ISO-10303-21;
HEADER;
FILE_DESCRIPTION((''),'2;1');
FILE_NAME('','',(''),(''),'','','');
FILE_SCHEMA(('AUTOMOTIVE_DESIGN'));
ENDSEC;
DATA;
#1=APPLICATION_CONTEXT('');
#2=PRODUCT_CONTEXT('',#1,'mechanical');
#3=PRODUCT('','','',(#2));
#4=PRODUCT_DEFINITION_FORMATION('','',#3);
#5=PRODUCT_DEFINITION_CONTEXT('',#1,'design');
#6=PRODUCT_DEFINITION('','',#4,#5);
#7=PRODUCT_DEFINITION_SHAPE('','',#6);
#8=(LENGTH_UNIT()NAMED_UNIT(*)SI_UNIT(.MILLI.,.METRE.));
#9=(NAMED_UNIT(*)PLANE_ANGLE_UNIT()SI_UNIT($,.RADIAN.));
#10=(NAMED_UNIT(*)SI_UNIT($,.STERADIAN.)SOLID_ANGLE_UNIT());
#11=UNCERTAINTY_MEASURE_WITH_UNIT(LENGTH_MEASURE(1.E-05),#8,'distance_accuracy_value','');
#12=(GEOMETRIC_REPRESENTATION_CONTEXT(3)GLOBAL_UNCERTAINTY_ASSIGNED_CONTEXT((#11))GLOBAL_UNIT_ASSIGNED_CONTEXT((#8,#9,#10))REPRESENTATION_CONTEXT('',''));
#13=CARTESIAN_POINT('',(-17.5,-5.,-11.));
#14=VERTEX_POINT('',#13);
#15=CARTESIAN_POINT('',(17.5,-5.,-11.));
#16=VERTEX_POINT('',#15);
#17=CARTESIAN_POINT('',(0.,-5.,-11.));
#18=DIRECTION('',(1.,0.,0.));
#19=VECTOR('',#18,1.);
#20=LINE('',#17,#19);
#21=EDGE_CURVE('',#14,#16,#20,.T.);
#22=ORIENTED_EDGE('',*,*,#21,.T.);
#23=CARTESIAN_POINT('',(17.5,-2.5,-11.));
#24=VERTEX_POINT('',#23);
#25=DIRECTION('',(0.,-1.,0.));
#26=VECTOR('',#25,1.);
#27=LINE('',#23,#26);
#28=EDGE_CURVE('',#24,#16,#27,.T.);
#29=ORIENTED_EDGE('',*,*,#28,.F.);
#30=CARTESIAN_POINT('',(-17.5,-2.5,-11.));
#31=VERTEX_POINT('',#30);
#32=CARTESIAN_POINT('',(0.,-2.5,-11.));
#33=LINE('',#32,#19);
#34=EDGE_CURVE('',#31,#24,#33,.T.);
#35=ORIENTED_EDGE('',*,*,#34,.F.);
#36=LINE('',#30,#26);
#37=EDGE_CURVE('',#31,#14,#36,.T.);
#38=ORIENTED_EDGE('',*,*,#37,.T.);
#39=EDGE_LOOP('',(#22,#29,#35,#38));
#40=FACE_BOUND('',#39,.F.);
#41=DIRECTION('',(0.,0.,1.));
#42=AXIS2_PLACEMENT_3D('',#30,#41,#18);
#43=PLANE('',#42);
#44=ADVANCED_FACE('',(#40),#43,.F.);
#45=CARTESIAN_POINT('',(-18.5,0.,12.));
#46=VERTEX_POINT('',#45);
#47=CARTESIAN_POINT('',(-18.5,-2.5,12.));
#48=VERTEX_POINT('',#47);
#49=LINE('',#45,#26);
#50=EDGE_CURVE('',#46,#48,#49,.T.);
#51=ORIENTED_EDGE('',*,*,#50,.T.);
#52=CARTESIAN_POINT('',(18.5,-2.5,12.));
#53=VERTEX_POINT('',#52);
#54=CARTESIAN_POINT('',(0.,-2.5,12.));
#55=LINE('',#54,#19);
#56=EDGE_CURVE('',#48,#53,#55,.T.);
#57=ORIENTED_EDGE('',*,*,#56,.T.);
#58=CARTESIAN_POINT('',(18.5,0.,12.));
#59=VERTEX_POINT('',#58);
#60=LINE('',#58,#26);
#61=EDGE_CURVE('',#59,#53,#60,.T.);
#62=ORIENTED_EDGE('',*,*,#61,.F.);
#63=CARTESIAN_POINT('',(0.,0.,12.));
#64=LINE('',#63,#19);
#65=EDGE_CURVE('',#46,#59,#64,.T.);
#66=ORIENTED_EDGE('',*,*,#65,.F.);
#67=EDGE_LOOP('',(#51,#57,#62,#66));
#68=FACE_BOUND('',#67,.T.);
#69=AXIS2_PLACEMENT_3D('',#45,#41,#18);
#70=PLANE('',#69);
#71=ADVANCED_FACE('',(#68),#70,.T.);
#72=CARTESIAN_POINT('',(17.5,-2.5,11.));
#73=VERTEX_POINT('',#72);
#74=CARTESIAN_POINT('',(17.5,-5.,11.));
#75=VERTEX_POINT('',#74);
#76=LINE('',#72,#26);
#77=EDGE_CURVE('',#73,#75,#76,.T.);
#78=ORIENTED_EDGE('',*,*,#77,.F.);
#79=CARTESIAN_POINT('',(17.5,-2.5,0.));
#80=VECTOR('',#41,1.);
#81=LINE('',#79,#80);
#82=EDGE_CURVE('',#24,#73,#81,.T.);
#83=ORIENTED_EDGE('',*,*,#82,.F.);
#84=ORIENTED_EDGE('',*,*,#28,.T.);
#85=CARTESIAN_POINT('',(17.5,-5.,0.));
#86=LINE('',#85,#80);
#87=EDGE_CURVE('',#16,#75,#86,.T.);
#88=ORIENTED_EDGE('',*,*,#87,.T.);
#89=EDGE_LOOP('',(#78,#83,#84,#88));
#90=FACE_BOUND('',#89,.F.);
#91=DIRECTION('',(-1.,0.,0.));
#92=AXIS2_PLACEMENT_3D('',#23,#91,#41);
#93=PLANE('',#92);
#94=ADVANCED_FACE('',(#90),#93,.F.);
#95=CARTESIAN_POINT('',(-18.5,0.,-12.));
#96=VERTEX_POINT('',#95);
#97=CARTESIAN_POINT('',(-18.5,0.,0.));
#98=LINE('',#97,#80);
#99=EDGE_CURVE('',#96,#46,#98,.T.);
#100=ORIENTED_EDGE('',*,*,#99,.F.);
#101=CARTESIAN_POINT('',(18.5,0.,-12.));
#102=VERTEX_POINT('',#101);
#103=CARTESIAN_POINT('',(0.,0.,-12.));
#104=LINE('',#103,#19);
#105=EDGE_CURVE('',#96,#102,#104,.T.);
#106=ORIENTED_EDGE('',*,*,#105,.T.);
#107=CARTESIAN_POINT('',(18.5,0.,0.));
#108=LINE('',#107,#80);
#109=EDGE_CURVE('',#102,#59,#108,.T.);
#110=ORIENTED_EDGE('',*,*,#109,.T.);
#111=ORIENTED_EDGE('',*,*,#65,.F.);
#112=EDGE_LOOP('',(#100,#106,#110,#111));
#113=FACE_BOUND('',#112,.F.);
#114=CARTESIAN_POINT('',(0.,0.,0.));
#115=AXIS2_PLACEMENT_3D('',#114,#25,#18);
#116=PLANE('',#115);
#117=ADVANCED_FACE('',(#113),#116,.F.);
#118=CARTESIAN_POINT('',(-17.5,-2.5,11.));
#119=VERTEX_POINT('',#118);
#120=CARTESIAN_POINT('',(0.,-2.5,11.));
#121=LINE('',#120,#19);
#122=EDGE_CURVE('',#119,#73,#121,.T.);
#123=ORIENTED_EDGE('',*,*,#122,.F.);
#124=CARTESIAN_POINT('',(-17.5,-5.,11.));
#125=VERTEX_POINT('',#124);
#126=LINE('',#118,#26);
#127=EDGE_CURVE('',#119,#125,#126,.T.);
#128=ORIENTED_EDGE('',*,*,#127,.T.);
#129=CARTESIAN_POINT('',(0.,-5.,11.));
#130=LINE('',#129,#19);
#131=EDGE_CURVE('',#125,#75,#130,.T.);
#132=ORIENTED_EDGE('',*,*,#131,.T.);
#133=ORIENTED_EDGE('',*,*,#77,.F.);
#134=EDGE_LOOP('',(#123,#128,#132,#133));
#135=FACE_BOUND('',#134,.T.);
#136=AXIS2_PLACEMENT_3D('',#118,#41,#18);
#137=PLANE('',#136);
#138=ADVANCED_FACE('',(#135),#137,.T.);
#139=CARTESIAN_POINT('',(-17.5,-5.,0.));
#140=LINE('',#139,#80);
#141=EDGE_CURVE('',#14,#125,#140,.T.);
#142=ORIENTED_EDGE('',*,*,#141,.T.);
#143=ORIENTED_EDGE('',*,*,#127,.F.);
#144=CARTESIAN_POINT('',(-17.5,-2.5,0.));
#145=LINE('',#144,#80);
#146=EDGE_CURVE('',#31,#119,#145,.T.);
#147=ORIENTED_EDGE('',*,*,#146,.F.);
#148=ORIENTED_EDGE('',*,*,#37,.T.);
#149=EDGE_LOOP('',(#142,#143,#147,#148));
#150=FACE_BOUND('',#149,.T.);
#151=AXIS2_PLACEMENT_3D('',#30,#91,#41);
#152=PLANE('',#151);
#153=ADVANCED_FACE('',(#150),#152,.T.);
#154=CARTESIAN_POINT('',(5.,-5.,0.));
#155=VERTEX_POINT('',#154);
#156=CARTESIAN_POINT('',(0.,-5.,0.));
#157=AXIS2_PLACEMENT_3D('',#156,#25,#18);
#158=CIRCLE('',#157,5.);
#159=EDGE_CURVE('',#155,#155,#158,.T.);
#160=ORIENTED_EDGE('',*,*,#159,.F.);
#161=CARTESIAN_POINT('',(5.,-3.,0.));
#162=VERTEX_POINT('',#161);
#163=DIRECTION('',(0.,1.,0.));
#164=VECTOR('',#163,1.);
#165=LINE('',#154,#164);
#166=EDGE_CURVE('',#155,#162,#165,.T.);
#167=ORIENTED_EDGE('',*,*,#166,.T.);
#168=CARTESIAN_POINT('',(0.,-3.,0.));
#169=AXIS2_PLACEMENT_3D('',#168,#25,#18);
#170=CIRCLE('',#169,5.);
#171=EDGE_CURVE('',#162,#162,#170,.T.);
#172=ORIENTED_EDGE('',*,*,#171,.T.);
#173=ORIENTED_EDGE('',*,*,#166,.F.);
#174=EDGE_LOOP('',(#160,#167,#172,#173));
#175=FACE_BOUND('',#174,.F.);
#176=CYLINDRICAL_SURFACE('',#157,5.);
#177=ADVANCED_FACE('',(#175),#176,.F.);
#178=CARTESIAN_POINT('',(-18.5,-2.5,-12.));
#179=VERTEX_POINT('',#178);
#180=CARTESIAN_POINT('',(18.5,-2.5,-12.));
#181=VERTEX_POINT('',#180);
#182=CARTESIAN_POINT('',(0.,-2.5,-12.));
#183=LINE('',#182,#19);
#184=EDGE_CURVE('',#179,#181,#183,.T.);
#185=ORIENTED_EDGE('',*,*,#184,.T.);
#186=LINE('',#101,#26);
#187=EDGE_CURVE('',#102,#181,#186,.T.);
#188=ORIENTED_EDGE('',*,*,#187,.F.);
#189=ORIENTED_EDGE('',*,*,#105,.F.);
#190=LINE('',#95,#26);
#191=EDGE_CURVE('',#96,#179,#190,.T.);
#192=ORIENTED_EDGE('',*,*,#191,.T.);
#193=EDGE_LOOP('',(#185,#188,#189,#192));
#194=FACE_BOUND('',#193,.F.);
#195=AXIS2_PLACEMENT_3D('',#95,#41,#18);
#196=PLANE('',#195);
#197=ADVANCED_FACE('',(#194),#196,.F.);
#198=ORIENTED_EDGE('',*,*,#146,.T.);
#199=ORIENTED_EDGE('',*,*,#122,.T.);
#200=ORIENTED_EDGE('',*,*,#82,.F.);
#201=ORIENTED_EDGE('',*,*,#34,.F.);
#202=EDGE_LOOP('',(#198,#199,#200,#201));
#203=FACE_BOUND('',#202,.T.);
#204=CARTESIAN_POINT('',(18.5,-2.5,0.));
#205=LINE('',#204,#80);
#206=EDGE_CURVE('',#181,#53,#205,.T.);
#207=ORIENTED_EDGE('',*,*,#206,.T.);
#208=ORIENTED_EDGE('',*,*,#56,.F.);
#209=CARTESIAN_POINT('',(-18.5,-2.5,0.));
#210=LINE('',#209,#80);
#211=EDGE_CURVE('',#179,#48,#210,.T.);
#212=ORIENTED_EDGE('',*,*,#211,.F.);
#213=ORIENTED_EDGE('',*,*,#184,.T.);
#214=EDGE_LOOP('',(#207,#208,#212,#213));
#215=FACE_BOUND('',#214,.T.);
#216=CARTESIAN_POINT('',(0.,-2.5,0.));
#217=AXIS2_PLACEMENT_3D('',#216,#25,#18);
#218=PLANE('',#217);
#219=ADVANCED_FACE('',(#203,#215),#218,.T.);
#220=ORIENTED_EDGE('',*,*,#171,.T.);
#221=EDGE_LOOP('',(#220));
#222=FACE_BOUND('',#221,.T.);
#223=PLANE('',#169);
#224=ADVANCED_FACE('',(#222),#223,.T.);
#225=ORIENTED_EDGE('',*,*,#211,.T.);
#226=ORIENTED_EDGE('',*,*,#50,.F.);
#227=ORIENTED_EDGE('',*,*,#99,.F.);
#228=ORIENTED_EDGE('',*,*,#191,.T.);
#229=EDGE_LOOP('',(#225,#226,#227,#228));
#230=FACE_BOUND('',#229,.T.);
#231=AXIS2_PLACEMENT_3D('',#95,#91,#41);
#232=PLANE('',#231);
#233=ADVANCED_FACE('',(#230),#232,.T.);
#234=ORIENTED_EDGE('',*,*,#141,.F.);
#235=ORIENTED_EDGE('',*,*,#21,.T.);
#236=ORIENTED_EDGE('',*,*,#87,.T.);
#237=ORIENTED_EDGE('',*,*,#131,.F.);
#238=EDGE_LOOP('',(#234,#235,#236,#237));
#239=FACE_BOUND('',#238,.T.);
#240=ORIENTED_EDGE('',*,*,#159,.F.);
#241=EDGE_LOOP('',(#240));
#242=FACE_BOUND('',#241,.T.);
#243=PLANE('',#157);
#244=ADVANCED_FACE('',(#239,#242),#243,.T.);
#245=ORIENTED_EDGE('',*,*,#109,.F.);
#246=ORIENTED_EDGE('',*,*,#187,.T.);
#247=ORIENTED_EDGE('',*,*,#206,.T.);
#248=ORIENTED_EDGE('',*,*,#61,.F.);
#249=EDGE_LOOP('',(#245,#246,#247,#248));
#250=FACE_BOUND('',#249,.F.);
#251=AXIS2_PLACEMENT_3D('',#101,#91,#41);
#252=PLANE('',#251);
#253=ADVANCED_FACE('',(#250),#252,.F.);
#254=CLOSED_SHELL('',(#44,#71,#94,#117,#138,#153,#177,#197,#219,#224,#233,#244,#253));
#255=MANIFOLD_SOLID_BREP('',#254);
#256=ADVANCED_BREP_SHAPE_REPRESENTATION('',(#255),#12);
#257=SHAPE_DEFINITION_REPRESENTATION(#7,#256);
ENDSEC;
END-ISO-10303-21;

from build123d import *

# Parameters (mm, degrees)
F0_W     = 37
F0_H     = 24
F1_DEPTH = 2.5
F2_W     = 35
F2_H     = 22
F3_DEPTH = 2.5
F4_R     = 5
F5_DEPTH = 2


with BuildPart() as f1:
    # F0 (on Front) → F1 (new body)
    with BuildSketch(Plane.XZ):
        Rectangle(F0_W, F0_H)
    extrude(amount=F1_DEPTH)

    # F2 (on face) → F3 (join)
    with BuildSketch(Plane.XZ.offset(2.5)):
        Rectangle(F2_W, F2_H)
    extrude(amount=F3_DEPTH)

    # F4 (on face) → F5 (cut)
    with BuildSketch(Plane.XZ.offset(5)):
        Circle(F4_R)
    extrude(amount=-F5_DEPTH, mode=Mode.SUBTRACT)


solid = f1.part
